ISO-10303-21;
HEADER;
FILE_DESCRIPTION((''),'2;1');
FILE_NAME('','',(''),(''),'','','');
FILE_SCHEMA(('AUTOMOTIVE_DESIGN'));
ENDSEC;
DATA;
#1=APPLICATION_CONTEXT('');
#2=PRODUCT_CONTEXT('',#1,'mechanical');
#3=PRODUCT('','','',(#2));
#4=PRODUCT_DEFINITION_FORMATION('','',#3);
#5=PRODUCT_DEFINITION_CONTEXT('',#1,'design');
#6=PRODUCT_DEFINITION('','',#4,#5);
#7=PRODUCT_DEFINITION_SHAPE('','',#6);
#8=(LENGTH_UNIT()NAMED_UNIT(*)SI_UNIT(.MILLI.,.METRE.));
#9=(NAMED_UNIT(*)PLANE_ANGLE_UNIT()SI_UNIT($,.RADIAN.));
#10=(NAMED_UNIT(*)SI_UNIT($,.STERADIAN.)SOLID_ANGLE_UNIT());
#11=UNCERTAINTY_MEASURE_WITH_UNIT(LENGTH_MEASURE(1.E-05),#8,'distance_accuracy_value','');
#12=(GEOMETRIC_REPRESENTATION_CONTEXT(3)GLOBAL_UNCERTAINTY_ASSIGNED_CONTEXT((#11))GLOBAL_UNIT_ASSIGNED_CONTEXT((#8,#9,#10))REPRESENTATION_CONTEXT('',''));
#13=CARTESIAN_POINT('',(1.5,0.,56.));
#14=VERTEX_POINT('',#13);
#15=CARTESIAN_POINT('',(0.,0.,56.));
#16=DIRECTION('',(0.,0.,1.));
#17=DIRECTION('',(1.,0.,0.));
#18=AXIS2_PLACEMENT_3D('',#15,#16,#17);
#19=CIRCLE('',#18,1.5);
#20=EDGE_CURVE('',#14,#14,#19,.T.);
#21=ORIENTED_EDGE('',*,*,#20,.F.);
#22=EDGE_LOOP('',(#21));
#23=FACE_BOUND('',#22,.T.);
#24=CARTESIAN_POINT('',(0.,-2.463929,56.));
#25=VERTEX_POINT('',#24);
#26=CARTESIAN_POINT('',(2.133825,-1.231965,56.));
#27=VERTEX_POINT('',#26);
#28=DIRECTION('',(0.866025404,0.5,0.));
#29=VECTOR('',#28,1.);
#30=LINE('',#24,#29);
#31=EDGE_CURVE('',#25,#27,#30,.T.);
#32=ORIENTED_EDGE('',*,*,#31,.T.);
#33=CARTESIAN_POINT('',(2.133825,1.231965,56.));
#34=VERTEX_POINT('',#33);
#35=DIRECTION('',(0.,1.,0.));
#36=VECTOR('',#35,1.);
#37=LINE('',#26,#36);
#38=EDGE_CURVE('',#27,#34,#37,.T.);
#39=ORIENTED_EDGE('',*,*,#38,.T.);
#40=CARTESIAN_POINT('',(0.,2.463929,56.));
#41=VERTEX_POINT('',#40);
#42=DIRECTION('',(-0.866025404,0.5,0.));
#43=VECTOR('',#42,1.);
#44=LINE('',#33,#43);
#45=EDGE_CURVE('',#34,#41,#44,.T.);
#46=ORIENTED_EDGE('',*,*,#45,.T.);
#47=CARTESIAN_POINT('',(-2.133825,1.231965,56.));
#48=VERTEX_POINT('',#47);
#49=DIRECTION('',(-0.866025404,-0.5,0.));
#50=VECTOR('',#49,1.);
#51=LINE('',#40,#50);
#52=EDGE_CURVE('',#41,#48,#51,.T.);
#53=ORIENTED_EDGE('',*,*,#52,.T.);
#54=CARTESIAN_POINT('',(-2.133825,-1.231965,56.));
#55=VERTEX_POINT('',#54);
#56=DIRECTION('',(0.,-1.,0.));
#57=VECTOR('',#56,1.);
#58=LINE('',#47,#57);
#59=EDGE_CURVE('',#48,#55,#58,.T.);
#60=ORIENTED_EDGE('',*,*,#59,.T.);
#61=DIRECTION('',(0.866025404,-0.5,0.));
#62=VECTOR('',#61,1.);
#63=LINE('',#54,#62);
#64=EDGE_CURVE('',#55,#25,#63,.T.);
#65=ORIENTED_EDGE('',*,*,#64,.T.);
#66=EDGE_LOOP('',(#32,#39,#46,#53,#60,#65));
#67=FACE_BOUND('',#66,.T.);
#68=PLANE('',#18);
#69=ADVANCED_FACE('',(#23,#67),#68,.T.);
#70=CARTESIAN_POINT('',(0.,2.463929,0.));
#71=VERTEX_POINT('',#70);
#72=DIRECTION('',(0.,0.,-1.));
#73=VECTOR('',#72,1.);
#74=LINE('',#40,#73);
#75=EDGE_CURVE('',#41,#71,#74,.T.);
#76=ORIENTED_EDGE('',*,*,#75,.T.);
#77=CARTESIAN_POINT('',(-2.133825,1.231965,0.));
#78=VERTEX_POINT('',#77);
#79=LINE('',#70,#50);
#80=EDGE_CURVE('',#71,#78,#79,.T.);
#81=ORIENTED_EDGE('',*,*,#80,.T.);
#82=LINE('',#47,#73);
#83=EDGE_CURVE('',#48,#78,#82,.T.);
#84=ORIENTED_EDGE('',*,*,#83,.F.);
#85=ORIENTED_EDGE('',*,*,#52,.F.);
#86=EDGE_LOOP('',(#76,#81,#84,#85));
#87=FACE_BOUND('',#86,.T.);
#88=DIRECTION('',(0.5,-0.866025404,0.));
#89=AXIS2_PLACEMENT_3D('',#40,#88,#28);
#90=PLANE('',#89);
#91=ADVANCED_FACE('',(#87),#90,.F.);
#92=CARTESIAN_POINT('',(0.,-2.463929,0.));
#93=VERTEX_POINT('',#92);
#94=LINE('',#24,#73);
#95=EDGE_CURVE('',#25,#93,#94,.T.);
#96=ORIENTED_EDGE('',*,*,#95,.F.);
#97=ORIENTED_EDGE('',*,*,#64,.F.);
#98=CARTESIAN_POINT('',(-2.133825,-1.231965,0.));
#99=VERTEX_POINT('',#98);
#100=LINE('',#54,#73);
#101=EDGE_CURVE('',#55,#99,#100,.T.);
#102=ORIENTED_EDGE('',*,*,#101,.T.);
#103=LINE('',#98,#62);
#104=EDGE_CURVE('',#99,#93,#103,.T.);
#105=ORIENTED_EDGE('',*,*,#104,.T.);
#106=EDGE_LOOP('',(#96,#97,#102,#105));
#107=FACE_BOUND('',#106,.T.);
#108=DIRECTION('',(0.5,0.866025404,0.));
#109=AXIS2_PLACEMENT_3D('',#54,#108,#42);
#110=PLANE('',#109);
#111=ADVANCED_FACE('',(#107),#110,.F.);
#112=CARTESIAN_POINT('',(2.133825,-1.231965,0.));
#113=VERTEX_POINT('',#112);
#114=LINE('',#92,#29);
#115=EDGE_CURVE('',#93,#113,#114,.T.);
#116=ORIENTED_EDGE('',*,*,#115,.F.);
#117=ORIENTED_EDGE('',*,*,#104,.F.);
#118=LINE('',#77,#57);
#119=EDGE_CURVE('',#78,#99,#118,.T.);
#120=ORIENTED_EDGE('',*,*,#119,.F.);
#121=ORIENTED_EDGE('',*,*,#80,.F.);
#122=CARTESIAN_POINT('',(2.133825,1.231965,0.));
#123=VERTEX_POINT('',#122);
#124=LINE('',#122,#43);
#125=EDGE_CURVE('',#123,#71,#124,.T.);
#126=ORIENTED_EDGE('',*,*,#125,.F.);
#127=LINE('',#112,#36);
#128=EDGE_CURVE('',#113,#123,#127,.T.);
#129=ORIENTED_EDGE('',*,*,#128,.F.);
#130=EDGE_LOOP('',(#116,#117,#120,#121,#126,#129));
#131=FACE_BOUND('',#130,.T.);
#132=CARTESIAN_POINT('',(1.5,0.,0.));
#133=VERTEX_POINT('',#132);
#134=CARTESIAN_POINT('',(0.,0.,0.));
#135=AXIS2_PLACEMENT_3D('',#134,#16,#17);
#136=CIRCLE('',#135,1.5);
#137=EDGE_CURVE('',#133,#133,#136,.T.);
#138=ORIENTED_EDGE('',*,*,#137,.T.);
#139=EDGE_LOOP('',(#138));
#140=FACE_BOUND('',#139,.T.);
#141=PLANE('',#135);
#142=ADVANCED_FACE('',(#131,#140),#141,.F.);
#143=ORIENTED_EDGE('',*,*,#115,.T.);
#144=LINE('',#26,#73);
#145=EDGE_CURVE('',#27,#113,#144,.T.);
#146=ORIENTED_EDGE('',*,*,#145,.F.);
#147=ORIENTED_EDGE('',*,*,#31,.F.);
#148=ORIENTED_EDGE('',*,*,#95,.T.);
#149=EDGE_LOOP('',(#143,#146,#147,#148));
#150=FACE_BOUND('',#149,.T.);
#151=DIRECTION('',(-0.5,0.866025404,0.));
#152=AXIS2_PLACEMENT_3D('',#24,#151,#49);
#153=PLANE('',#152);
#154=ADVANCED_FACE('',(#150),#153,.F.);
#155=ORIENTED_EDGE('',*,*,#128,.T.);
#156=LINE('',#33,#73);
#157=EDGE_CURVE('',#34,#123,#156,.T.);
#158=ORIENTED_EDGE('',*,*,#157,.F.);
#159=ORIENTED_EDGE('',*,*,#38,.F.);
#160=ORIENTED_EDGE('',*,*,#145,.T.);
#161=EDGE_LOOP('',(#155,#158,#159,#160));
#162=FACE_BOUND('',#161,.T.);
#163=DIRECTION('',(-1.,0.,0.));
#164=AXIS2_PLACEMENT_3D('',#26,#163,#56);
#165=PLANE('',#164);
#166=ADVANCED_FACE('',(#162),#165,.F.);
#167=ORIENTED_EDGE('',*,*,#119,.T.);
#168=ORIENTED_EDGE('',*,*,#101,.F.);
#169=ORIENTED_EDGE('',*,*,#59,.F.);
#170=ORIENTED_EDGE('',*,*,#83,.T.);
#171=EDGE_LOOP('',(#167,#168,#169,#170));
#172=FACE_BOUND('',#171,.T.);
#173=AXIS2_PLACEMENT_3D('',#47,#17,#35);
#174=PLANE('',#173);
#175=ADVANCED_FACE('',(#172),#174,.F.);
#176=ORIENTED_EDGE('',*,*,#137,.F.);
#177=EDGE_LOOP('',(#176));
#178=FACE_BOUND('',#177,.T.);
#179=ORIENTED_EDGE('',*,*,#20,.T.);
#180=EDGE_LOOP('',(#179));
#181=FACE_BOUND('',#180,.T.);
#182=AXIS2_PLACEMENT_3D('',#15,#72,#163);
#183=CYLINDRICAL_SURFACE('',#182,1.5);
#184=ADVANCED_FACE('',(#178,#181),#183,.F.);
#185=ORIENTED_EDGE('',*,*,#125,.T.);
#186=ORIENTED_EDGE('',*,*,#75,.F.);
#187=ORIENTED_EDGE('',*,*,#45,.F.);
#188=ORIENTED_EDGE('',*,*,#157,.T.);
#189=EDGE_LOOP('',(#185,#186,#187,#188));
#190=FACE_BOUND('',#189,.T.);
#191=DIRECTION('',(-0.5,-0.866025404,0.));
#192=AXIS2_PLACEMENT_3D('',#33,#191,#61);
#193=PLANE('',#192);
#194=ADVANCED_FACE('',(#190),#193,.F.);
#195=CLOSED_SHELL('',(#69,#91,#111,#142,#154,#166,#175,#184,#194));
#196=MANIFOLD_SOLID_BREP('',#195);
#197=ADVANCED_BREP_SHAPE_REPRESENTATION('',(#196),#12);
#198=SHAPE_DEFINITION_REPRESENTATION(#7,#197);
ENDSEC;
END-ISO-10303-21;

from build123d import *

# Parameters (mm, degrees)
SKETCH_1_R      = 1.5
EXTRUDE_1_DEPTH = 56


with BuildPart() as part:
    # 草图1 → 凸台-拉伸1 (new body)
    with BuildSketch(Plane.XY):
        Polygon((0, 2.463929225), (-2.133825302, 1.231964612), (-2.133825302, -1.231964612), (0, -2.463929225), (2.133825302, -1.231964612), (2.133825302, 1.231964612), align=None)
        Circle(SKETCH_1_R, mode=Mode.SUBTRACT)
    extrude(amount=EXTRUDE_1_DEPTH)


solid = part.part
